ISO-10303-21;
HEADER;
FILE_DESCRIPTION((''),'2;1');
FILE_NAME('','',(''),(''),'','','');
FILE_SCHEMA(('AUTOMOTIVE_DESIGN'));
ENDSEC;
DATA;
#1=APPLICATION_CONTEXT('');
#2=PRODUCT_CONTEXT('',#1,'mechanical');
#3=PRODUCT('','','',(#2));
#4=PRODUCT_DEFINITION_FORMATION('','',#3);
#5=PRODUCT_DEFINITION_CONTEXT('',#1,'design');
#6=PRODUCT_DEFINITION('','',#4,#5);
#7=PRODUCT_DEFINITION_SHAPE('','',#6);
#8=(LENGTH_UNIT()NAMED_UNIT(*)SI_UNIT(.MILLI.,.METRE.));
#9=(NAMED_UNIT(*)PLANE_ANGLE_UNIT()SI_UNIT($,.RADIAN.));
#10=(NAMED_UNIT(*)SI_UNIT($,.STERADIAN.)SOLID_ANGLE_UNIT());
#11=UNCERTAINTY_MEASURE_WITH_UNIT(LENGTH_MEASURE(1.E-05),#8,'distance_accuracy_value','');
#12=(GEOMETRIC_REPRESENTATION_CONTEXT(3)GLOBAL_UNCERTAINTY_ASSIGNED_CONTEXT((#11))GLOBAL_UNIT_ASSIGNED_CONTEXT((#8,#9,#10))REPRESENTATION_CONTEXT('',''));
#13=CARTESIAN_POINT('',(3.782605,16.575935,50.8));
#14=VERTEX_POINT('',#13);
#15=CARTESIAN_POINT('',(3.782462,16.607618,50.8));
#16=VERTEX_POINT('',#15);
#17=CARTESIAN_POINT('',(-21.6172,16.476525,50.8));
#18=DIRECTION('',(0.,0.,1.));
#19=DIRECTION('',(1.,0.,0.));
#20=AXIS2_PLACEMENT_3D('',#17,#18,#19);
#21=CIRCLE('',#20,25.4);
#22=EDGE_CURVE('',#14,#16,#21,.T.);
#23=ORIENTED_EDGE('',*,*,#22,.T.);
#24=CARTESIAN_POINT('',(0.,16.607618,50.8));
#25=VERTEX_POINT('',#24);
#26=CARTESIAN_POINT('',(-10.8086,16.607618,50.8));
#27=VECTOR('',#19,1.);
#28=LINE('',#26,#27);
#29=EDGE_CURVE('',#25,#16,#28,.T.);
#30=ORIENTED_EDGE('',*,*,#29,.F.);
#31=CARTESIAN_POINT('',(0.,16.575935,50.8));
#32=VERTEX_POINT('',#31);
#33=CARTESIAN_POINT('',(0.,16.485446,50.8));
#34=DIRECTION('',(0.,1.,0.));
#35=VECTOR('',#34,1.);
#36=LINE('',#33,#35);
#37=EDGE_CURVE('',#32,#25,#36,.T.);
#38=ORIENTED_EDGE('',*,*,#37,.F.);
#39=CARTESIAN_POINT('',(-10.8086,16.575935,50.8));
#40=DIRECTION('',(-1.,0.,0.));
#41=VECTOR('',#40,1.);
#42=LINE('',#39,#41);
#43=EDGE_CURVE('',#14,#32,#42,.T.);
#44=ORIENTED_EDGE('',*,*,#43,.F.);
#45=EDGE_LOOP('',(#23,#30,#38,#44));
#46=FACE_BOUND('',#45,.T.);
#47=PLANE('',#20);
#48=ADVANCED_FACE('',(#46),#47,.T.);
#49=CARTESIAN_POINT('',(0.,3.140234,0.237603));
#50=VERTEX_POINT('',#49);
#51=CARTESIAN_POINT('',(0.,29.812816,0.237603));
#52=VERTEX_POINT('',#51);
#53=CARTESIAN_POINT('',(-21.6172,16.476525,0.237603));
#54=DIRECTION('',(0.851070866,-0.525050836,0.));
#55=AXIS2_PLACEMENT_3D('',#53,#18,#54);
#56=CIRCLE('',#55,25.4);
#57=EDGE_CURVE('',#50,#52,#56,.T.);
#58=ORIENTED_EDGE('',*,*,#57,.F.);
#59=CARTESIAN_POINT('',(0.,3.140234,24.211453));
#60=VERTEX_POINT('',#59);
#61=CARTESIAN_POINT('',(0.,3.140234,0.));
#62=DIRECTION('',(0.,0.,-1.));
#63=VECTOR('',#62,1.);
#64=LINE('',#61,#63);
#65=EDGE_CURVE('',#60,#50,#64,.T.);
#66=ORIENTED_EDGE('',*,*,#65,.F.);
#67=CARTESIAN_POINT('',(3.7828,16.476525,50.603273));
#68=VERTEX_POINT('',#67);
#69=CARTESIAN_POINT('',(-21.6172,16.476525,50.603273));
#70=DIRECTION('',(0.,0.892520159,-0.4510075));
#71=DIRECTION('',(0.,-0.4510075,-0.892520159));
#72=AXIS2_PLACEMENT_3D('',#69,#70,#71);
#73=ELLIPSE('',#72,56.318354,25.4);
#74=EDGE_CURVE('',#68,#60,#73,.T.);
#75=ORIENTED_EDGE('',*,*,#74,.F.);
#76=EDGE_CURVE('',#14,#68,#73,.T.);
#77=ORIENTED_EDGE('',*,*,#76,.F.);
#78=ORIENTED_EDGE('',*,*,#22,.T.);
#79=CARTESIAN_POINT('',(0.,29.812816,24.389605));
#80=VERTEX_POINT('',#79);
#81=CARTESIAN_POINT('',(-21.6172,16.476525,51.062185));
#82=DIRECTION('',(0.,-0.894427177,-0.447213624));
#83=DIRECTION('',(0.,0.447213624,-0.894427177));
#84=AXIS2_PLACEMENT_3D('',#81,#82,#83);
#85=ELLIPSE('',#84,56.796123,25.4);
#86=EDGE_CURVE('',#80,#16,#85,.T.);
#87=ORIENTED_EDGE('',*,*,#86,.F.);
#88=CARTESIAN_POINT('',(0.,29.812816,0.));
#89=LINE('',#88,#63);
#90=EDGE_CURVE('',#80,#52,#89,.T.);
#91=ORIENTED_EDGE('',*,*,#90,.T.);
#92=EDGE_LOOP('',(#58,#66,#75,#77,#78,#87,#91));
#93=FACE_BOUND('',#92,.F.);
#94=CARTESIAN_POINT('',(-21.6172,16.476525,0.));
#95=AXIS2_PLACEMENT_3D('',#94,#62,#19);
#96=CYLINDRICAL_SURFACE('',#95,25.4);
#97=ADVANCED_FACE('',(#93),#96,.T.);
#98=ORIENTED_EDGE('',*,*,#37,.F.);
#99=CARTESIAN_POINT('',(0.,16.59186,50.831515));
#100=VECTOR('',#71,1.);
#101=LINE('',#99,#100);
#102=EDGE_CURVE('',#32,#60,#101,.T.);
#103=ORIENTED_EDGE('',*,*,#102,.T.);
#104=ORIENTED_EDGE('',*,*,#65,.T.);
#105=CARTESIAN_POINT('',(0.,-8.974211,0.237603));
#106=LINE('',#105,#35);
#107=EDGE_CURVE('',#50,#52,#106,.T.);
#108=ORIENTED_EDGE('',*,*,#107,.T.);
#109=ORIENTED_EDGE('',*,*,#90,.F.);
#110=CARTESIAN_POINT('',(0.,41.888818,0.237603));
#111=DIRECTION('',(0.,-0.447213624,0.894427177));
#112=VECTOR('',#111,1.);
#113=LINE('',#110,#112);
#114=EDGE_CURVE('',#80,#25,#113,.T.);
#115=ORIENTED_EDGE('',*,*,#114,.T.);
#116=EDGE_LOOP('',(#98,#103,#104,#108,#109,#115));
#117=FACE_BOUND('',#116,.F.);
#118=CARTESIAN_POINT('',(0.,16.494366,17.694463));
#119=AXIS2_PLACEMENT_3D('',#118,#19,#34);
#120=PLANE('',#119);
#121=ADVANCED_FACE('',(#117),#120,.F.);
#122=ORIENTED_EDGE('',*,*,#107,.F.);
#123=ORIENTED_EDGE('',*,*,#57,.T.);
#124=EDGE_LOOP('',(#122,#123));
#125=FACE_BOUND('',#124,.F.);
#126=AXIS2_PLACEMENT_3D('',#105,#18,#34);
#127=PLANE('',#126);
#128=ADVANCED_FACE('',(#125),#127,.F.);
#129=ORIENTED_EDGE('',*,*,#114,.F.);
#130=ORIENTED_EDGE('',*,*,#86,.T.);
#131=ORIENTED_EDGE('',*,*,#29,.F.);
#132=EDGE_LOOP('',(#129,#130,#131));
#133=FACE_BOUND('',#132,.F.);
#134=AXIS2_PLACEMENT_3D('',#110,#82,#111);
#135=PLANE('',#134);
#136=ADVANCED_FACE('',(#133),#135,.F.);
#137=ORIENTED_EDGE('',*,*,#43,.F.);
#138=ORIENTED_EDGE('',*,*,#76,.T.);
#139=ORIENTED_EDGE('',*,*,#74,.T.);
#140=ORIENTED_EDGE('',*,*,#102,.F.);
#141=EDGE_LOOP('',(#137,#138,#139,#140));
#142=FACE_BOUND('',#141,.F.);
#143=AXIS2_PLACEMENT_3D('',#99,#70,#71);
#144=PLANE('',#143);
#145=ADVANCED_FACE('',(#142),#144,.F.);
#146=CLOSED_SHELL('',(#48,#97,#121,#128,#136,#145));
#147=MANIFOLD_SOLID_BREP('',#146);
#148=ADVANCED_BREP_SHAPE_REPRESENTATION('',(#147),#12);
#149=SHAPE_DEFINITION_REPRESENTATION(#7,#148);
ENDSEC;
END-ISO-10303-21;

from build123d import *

# Parameters (mm, degrees)
F0_R     = 25.4
F1_DEPTH = 50.8
F3_DEPTH = 25.4


with BuildPart() as f1:
    # F0 (on Top) → F1 (new body)
    with BuildSketch(Plane.XY):
        with Locations((-21.6172, 16.476525)):
            Circle(F0_R)
    extrude(amount=F1_DEPTH)

    # F2 (on Right) → F3 (intersect)
    with BuildSketch(Plane.YZ):
        Polygon((16.59186, 50.831515), (-8.974211, 0.237603), (41.888818, 0.237603), align=None)
    extrude(amount=F3_DEPTH, mode=Mode.INTERSECT)


solid = f1.part
